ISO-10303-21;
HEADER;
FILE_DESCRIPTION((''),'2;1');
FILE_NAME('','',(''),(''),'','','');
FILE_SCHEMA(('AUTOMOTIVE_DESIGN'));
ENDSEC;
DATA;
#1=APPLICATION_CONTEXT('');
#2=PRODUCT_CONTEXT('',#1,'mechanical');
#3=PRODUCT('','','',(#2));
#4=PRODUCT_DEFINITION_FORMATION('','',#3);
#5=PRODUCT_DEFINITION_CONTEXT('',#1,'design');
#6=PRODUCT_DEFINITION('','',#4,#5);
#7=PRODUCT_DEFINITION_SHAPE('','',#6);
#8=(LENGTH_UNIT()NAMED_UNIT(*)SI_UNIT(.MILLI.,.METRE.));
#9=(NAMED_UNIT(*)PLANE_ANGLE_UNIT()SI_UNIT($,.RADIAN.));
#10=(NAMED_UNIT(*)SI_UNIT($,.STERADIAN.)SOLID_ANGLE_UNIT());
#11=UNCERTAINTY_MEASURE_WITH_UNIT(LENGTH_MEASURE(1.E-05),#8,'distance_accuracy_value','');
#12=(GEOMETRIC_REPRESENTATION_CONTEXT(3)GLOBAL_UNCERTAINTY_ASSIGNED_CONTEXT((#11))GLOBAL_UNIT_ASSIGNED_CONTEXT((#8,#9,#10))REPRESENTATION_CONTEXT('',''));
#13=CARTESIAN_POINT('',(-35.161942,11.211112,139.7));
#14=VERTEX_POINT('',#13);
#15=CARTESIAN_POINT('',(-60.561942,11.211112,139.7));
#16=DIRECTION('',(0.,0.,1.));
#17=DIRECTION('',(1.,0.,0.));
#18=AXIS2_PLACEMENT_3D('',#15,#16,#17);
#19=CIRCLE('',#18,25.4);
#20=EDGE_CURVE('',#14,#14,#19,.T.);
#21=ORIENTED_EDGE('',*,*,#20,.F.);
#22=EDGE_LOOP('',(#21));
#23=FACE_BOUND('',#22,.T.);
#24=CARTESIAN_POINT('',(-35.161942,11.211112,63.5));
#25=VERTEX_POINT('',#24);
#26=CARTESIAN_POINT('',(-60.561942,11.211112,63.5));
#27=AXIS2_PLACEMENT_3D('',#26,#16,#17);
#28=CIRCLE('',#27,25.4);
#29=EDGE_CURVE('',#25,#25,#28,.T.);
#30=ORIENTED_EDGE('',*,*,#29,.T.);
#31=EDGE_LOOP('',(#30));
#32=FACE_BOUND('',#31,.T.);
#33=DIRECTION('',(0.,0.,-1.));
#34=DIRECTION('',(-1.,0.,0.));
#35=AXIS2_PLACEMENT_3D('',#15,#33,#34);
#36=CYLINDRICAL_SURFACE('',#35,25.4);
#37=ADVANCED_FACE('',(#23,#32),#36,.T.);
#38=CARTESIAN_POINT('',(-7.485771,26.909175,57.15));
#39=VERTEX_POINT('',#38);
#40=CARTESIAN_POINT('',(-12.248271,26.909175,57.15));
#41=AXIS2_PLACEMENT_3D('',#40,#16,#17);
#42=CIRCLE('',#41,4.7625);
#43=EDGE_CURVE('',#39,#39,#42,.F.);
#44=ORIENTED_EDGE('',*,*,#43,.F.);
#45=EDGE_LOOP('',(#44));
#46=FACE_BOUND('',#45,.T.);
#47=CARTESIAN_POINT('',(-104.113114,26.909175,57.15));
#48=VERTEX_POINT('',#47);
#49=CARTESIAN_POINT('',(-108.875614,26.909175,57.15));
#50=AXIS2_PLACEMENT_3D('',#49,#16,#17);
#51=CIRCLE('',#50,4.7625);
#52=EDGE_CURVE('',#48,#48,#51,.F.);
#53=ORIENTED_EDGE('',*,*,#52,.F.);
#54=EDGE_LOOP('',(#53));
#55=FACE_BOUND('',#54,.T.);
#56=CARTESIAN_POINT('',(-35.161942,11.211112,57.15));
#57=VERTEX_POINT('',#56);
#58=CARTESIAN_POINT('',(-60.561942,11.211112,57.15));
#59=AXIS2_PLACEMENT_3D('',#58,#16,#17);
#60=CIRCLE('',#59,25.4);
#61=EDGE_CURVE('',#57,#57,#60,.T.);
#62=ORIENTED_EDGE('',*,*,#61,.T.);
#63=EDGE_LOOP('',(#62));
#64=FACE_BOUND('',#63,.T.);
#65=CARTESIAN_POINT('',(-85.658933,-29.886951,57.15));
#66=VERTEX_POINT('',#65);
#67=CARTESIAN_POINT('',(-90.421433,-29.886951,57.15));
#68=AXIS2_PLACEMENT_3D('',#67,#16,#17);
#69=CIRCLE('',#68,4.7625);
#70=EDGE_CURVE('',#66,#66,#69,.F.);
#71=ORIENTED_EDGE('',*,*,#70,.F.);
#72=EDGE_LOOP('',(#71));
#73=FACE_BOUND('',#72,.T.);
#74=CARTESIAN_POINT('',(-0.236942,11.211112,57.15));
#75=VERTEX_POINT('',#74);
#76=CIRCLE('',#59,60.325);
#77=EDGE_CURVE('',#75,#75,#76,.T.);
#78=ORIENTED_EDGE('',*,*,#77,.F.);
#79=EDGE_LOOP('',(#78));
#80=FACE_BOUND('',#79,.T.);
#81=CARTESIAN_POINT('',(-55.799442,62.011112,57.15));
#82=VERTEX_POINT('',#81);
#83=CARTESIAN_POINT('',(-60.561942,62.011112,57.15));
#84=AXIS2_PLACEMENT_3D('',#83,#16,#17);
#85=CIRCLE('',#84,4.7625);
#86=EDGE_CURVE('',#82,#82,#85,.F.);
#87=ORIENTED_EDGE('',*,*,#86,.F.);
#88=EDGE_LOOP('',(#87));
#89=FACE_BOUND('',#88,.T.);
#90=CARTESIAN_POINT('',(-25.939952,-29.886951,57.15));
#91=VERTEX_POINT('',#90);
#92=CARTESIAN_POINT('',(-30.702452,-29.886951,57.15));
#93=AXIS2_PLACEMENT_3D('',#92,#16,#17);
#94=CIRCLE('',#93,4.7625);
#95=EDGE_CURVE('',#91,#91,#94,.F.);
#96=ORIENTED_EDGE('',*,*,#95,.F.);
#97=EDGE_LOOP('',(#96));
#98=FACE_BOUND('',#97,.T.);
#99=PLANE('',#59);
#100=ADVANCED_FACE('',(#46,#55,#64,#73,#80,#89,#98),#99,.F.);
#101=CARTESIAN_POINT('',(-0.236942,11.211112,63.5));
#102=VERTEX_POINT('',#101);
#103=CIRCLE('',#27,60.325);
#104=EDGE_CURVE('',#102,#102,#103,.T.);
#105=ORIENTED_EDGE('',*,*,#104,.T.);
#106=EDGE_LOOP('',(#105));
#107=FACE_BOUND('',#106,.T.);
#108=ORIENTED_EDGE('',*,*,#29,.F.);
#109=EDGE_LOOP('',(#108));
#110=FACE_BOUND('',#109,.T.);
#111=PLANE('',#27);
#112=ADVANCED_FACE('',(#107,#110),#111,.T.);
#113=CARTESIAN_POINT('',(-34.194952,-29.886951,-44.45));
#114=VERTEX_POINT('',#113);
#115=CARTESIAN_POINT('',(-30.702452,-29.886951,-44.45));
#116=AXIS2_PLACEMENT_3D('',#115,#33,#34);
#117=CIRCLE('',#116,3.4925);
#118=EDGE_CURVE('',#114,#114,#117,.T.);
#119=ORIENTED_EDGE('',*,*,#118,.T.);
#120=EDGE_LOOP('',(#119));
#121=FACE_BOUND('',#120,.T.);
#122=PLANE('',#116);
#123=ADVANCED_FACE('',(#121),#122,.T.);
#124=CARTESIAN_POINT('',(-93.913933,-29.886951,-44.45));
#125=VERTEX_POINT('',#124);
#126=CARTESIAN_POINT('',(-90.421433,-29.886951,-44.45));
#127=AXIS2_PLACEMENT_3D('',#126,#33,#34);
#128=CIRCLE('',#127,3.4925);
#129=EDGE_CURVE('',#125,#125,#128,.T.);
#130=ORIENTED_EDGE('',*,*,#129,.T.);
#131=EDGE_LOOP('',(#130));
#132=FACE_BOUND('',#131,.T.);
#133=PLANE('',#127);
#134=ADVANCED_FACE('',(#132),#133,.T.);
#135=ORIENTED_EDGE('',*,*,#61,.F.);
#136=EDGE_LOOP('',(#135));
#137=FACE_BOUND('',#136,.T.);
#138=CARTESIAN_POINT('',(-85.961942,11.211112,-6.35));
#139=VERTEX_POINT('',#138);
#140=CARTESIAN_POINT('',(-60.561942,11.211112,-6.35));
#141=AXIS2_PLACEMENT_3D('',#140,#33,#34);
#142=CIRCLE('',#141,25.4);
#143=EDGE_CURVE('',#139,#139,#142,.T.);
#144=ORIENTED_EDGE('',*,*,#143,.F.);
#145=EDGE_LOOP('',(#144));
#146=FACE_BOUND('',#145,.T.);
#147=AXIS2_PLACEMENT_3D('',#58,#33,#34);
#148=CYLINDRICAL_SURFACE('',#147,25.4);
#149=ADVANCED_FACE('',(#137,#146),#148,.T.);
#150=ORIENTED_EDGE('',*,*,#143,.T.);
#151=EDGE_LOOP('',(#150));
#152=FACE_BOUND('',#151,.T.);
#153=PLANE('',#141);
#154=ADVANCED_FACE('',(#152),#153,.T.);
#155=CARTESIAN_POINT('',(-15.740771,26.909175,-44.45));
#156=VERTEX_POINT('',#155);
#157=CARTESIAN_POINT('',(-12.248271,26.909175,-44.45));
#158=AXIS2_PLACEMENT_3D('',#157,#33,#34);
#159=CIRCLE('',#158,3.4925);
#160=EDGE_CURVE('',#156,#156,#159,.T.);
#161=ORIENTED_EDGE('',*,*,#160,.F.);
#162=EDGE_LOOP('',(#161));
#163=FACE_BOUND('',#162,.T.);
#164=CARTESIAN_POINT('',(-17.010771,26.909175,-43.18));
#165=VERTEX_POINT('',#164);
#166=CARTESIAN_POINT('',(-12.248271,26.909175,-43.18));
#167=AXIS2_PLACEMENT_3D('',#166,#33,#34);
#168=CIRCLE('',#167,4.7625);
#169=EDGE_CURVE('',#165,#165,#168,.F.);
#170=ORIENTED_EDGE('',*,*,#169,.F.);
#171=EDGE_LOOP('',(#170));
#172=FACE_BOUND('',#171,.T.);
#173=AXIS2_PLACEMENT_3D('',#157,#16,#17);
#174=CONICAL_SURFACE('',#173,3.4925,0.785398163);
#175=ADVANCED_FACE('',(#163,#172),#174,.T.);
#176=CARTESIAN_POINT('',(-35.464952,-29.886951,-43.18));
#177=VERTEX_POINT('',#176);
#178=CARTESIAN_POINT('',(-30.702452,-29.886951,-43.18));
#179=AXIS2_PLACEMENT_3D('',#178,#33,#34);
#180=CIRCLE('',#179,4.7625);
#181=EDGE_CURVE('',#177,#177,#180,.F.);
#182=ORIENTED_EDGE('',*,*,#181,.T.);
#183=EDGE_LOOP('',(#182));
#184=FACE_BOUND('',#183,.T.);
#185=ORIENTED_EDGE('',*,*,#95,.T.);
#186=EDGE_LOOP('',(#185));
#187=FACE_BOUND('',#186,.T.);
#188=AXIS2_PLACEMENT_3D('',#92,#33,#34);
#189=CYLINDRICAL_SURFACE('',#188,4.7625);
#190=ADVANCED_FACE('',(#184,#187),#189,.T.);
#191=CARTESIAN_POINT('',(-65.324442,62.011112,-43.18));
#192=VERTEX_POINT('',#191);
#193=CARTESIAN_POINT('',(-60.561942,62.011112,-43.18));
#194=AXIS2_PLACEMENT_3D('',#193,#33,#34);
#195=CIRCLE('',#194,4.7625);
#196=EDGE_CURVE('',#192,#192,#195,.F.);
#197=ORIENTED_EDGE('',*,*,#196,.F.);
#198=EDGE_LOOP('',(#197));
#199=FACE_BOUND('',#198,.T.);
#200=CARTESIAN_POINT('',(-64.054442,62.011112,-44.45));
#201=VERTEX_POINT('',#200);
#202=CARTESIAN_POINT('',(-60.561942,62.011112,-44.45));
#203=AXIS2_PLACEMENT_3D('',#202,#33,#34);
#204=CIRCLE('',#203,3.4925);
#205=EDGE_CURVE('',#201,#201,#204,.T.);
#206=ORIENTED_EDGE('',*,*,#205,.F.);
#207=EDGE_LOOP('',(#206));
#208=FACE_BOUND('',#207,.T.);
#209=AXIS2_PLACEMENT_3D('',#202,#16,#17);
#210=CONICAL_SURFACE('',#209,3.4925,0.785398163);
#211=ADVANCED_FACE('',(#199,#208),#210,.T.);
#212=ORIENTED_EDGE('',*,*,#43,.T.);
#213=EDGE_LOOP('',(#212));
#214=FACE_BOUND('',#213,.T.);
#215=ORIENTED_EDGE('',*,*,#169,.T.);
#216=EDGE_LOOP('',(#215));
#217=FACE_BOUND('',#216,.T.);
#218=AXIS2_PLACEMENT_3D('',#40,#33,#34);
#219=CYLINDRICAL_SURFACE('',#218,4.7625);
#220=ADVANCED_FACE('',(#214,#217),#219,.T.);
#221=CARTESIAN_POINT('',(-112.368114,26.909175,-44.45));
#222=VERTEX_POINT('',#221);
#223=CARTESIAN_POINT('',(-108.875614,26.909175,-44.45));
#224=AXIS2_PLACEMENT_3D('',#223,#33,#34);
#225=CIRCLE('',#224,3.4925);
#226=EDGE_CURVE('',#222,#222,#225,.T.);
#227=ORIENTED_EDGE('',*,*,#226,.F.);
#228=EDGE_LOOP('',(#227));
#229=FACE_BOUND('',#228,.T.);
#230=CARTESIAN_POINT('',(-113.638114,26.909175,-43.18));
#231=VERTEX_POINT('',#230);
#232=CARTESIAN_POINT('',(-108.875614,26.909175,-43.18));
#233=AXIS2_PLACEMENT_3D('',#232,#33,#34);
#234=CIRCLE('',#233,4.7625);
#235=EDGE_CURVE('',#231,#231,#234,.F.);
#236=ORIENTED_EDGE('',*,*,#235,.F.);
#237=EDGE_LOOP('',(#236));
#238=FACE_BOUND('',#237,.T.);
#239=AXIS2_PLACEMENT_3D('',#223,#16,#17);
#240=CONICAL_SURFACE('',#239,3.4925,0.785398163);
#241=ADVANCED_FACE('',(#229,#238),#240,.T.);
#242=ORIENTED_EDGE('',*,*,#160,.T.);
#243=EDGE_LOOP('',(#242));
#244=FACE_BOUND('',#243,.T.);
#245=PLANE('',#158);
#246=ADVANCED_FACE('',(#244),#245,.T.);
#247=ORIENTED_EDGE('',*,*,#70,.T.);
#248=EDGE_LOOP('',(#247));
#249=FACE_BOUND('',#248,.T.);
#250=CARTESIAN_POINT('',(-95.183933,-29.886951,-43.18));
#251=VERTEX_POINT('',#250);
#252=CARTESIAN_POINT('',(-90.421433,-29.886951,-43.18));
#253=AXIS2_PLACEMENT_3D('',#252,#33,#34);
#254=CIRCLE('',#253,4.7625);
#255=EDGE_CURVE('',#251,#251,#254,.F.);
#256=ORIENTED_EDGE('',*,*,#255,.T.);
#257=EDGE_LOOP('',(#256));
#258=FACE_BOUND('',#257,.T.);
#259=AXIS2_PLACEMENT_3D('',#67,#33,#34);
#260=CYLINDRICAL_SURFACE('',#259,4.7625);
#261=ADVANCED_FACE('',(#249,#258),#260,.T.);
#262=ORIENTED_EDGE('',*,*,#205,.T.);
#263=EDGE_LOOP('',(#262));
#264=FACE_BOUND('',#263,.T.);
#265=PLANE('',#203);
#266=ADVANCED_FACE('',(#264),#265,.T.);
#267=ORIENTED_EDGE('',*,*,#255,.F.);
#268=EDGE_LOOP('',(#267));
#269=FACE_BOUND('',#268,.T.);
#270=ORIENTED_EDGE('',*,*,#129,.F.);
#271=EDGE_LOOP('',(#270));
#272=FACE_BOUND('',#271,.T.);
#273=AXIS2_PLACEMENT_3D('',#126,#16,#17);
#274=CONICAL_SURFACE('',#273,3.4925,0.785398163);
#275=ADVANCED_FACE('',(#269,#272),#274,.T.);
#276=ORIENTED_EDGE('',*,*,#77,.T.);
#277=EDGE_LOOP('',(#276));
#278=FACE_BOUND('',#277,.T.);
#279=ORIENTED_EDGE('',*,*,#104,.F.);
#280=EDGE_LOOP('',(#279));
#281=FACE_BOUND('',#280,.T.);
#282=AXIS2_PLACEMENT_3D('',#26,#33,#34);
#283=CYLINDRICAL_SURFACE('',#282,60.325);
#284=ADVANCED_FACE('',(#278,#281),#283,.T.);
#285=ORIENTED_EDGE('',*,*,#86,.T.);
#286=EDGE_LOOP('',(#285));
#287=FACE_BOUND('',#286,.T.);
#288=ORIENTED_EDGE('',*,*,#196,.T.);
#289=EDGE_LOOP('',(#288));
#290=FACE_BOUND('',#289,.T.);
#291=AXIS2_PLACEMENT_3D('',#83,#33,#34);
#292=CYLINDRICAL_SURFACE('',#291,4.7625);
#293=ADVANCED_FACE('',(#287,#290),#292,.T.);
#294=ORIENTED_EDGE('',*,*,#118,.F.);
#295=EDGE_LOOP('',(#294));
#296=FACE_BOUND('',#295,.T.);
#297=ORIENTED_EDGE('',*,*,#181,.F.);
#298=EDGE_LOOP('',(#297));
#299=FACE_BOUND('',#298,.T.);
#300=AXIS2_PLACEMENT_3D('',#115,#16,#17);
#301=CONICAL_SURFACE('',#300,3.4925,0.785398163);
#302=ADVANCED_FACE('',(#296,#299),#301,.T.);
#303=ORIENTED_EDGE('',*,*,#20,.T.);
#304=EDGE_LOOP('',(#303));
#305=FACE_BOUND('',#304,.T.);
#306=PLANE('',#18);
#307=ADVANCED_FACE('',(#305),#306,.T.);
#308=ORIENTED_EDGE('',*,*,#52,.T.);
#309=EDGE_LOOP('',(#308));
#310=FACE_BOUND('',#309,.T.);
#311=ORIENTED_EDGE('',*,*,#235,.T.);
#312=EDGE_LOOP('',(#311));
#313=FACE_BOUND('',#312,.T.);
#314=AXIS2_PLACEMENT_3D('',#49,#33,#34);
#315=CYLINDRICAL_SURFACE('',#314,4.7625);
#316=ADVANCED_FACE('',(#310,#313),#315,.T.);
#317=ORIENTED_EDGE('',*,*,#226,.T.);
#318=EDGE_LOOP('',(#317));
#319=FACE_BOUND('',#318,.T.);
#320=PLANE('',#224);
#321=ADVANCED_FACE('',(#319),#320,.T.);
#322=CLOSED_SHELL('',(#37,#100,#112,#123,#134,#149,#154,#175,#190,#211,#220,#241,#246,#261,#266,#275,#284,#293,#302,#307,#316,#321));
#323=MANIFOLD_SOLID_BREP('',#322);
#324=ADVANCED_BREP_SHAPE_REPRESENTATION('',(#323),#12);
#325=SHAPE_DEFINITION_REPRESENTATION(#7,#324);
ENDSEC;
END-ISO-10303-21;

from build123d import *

# Parameters (mm, degrees)
SKETCH2_R             = 25.4
BOSS_EXTRUDE1_DEPTH   = 57.15
SKETCH2_R_2           = 4.7625
BOSS_EXTRUDE1_2_DEPTH = 57.15
BOSS_EXTRUDE1_3_DEPTH = 57.15
BOSS_EXTRUDE1_4_DEPTH = 57.15
BOSS_EXTRUDE1_5_DEPTH = 57.15
BOSS_EXTRUDE1_6_DEPTH = 57.15
SKETCH3_R             = 60.325
BOSS_EXTRUDE2_DEPTH   = 6.35
SKETCH4_R             = 25.4
BOSS_EXTRUDE3_DEPTH   = 6.35
SKETCH5_R             = 4.7625
BOSS_EXTRUDE4_DEPTH   = 44.45
CHAMFER1_SIZE         = 1.27
SKETCH7_R             = 25.4
BOSS_EXTRUDE5_DEPTH   = 76.2


with BuildPart() as part:
    # Sketch2 → Boss-Extrude1 (new body)
    with BuildSketch(Plane.XY):
        with Locations((-60.561942489, 11.211112057)):
            Circle(SKETCH2_R)
    extrude(amount=BOSS_EXTRUDE1_DEPTH)



with BuildPart() as body_2:
    # Sketch2 → Boss-Extrude1 2 (new body)
    with BuildSketch(Plane.XY):
        with Locations((-12.248271462, 26.909175371)):
            Circle(SKETCH2_R_2)
    extrude(amount=BOSS_EXTRUDE1_2_DEPTH)


with BuildPart() as body_3:
    # Sketch2 → Boss-Extrude1 3 (new body)
    with BuildSketch(Plane.XY):
        with Locations((-60.561942489, 62.011112057)):
            Circle(SKETCH2_R_2)
    extrude(amount=BOSS_EXTRUDE1_3_DEPTH)


with BuildPart() as body_4:
    # Sketch2 → Boss-Extrude1 4 (new body)
    with BuildSketch(Plane.XY):
        with Locations((-108.875613517, 26.909175371)):
            Circle(SKETCH2_R_2)
    extrude(amount=BOSS_EXTRUDE1_4_DEPTH)


with BuildPart() as body_5:
    # Sketch2 → Boss-Extrude1 5 (new body)
    with BuildSketch(Plane.XY):
        with Locations((-90.421433306, -29.886951258)):
            Circle(SKETCH2_R_2)
    extrude(amount=BOSS_EXTRUDE1_5_DEPTH)


with BuildPart() as body_6:
    # Sketch2 → Boss-Extrude1 6 (new body)
    with BuildSketch(Plane.XY):
        with Locations((-30.702451673, -29.886951258)):
            Circle(SKETCH2_R_2)
    extrude(amount=BOSS_EXTRUDE1_6_DEPTH)


with BuildPart() as part_1:
    add(part.part)

    add(body_2.part)  # Boss-Extrude2 merges body 2

    add(body_3.part)  # Boss-Extrude2 merges body 3

    add(body_4.part)  # Boss-Extrude2 merges body 4

    add(body_5.part)  # Boss-Extrude2 merges body 5

    add(body_6.part)  # Boss-Extrude2 merges body 6
    # Sketch3 → Boss-Extrude2 (add)
    with BuildSketch(Plane.XY.offset(57.15)):
        with Locations((-60.561942489, 11.211112057)):
            Circle(SKETCH3_R)
    extrude(amount=BOSS_EXTRUDE2_DEPTH)

    # Sketch4 → Boss-Extrude3 (add)
    with BuildSketch(Plane(origin=(0, 0, 0), x_dir=(-1, 0, 0), z_dir=(0, 0, -1))):
        with Locations((60.561942489, 11.211112057)):
            Circle(SKETCH4_R)
    extrude(amount=BOSS_EXTRUDE3_DEPTH)

    # Sketch5 → Boss-Extrude4 (add)
    with BuildSketch(Plane(origin=(0, 0, 0), x_dir=(-1, 0, 0), z_dir=(0, 0, -1))):
        with Locations((12.248271462, 26.909175371)):
            Circle(SKETCH5_R)
        with Locations((30.702451673, -29.886951258)):
            Circle(SKETCH5_R)
        with Locations((90.421433306, -29.886951258)):
            Circle(SKETCH5_R)
        with Locations((108.875613517, 26.909175371)):
            Circle(SKETCH5_R)
        with Locations((60.561942489, 62.011112057)):
            Circle(SKETCH5_R)
    extrude(amount=BOSS_EXTRUDE4_DEPTH)

    # Chamfer1
    chamfer1_edges = [part_1.edges().sort_by_distance(p)[0] for p in [
        (-7.485771462, 26.909175371, -44.45),
        (-25.939951673, -29.886951258, -44.45),
        (-85.658933306, -29.886951258, -44.45),
        (-104.113113517, 26.909175371, -44.45),
        (-55.799442489, 62.011112057, -44.45),
    ]]
    chamfer(chamfer1_edges, length=CHAMFER1_SIZE)

    # Sketch7 → Boss-Extrude5 (add)
    with BuildSketch(Plane.XY.offset(63.5)):
        with Locations((-60.561942489, 11.211112057)):
            Circle(SKETCH7_R)
    extrude(amount=BOSS_EXTRUDE5_DEPTH)


solid = part_1.part
